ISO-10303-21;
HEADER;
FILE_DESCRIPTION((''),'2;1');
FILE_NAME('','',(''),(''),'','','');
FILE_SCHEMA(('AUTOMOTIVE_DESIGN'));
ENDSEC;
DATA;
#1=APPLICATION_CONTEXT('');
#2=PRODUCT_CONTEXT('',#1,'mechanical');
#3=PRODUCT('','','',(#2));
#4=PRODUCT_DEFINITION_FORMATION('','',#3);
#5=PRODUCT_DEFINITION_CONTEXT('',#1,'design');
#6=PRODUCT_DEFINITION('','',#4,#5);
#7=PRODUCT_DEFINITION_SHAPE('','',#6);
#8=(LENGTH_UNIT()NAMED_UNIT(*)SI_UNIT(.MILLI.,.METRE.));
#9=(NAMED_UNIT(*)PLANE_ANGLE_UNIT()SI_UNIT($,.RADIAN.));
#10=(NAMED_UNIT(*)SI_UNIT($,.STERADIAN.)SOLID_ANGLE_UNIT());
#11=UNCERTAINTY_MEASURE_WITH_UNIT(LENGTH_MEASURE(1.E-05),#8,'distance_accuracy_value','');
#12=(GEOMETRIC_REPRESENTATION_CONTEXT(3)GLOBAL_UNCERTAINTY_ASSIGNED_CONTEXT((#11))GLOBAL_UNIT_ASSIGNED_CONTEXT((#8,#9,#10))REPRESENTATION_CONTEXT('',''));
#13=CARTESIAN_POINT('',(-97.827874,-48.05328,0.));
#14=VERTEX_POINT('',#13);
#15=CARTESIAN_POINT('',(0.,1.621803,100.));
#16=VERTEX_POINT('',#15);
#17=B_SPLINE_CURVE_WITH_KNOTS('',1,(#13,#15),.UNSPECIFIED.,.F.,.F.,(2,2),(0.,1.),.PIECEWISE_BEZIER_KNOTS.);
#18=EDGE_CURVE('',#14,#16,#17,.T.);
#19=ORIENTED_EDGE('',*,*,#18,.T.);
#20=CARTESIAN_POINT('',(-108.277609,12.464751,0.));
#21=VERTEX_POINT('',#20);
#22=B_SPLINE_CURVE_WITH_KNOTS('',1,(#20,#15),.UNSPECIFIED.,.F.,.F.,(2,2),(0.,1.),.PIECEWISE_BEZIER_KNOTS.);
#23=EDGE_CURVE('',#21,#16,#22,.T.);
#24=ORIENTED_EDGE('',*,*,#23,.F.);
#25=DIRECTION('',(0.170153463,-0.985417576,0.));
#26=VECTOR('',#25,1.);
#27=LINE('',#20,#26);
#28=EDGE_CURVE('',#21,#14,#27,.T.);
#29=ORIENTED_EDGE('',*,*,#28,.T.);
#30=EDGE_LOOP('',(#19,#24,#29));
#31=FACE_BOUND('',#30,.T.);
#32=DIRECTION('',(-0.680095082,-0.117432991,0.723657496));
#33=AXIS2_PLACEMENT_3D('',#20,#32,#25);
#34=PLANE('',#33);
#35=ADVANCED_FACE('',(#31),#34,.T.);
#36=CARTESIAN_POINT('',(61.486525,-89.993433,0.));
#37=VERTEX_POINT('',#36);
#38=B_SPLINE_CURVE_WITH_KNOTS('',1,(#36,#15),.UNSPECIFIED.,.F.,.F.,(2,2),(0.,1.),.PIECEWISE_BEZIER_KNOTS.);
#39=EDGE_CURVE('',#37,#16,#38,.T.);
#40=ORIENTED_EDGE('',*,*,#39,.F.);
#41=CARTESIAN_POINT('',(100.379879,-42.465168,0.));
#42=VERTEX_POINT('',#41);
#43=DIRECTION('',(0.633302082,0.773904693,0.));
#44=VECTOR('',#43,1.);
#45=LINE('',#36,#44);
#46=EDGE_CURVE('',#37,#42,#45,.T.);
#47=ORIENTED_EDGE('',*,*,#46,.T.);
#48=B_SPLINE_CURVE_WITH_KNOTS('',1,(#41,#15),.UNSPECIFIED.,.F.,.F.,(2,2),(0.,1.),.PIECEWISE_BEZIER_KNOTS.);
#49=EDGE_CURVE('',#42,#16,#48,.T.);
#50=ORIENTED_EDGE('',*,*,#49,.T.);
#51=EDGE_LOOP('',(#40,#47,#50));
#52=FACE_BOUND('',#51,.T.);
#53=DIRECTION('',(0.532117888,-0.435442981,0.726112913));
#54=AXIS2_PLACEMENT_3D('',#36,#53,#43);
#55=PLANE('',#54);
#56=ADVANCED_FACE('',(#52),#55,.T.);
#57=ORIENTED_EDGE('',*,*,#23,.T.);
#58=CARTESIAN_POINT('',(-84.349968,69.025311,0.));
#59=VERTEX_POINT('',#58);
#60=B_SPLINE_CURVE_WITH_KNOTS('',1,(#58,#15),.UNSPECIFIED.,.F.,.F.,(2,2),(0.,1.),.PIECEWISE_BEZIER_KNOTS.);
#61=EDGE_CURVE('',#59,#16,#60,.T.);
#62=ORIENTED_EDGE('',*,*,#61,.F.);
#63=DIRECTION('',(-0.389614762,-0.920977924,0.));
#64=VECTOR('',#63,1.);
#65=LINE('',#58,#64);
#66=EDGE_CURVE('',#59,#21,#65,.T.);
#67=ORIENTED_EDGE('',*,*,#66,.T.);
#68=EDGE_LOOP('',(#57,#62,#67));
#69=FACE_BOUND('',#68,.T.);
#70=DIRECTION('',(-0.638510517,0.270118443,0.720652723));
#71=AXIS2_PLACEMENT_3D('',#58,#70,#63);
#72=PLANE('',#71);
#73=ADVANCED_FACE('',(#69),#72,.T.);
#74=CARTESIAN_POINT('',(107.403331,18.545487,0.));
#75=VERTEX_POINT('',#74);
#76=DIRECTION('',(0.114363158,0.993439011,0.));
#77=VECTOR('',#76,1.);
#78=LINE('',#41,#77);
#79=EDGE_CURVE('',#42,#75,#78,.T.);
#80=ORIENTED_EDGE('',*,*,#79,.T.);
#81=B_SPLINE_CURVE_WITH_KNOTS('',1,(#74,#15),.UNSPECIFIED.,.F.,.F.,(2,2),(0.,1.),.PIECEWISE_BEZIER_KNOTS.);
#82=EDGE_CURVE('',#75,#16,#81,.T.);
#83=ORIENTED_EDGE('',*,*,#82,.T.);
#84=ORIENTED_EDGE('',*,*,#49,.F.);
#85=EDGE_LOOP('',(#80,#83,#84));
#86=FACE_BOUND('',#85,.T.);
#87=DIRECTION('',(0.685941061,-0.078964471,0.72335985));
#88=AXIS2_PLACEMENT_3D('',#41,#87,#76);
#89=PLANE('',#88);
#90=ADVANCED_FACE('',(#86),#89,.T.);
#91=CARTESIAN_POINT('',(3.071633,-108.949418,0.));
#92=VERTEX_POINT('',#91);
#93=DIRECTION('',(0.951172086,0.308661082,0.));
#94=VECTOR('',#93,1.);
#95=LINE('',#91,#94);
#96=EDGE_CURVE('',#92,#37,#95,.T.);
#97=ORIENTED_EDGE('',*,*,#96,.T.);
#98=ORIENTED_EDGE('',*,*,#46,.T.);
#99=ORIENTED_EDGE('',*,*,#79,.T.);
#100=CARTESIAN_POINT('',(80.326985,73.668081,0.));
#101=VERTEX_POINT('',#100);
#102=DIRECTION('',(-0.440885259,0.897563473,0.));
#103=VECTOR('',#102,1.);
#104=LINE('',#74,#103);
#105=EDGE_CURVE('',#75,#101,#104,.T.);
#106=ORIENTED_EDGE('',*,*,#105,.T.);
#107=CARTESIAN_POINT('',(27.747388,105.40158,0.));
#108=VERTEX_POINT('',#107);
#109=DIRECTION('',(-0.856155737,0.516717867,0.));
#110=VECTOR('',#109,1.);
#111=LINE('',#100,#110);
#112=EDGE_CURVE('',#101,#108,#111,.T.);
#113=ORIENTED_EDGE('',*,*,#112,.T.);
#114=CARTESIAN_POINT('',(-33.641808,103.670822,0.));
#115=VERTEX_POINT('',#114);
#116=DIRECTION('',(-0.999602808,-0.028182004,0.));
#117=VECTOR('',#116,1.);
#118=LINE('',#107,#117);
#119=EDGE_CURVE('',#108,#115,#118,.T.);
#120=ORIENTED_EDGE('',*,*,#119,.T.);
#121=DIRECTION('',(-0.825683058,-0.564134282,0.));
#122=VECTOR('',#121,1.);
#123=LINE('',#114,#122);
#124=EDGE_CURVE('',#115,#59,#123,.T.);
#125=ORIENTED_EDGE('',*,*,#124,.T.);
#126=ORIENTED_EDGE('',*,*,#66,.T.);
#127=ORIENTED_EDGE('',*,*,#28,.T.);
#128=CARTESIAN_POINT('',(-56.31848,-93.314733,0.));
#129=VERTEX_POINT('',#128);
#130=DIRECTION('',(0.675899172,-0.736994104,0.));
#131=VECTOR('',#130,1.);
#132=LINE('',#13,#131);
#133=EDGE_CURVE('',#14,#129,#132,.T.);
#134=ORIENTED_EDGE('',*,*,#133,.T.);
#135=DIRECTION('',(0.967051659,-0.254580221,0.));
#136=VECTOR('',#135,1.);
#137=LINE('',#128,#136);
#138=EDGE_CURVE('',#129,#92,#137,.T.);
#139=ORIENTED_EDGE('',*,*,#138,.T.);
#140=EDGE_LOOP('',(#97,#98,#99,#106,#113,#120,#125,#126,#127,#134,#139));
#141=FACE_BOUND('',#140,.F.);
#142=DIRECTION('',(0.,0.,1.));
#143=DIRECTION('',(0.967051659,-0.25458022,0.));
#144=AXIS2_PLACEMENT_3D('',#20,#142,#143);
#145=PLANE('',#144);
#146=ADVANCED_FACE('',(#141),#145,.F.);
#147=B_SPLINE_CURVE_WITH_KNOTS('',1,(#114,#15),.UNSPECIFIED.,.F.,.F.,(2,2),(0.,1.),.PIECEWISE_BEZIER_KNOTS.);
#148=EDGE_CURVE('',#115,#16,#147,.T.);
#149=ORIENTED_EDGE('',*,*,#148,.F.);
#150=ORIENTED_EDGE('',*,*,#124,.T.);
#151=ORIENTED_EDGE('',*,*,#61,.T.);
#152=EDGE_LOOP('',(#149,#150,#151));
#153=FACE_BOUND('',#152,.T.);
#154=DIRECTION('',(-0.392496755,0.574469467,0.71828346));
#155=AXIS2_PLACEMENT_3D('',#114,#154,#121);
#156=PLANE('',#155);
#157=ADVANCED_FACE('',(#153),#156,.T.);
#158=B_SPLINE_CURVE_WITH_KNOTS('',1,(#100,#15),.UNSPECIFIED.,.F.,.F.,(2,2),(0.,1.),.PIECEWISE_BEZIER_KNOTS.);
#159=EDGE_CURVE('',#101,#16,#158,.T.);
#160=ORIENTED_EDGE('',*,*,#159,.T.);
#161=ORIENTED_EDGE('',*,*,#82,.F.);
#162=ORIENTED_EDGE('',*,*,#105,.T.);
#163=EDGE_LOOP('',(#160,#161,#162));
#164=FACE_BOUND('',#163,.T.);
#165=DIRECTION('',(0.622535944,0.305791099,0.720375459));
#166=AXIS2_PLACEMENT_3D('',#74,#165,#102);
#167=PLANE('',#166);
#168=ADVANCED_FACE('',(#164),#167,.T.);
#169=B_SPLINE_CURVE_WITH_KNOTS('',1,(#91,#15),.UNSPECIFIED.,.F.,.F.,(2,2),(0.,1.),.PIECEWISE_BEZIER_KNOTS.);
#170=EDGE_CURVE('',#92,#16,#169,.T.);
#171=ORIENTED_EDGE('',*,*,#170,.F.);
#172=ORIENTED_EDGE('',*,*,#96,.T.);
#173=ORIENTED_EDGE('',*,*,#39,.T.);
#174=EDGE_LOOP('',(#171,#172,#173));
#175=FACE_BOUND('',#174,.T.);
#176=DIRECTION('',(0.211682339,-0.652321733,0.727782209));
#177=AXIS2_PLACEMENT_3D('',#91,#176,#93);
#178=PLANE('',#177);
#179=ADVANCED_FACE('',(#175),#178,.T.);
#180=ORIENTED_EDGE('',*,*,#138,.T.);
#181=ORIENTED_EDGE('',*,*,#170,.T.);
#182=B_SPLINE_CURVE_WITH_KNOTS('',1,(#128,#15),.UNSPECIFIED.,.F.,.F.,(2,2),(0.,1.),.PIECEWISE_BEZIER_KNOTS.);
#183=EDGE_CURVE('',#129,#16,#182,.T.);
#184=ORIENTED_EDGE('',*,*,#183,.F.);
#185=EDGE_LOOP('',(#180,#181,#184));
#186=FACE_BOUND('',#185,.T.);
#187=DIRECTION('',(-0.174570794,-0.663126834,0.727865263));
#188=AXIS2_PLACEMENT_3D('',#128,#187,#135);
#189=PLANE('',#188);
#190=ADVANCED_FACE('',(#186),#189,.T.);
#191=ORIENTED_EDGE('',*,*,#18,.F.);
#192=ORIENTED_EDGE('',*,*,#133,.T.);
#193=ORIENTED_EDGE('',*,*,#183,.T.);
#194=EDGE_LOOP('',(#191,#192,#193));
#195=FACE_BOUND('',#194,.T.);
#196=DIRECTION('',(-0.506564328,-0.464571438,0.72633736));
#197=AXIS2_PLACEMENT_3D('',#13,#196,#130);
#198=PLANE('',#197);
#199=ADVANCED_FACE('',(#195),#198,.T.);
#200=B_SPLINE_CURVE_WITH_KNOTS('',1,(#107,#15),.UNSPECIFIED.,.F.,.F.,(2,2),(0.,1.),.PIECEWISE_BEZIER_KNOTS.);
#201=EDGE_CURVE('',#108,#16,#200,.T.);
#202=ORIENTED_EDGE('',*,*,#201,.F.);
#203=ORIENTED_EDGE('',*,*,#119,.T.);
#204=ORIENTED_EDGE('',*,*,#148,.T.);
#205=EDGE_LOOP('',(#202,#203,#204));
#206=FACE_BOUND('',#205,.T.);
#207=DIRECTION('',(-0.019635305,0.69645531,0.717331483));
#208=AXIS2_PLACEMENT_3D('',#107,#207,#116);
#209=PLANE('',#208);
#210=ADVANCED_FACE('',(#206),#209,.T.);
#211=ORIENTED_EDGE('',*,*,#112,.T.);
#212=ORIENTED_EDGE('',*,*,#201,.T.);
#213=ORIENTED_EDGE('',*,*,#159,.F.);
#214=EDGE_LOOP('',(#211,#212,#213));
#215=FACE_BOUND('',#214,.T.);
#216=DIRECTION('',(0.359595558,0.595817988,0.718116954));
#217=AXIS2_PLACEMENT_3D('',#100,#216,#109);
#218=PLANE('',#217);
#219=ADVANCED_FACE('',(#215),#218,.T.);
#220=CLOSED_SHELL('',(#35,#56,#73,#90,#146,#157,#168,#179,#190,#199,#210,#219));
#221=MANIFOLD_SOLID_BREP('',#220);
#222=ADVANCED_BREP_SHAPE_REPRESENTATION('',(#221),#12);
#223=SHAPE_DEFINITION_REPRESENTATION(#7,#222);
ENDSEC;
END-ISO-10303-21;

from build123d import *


with BuildPart() as f3:
    # F0 (on Top) → F3 section 0
    with BuildSketch(Plane.XY, mode=Mode.PRIVATE) as f3_s0:
        Polygon((-108.277609, 12.464751), (-97.827874, -48.05328), (-56.31848, -93.314733), (3.071633, -108.949418), (61.486525, -89.993433), (100.379879, -42.465168), (107.403331, 18.545487), (80.326985, 73.668081), (27.747388, 105.40158), (-33.641808, 103.670822), (-84.349968, 69.025311), align=None)
    loft([f3_s0.sketch, Vertex(0, 1.621803, 100)])


solid = f3.part
